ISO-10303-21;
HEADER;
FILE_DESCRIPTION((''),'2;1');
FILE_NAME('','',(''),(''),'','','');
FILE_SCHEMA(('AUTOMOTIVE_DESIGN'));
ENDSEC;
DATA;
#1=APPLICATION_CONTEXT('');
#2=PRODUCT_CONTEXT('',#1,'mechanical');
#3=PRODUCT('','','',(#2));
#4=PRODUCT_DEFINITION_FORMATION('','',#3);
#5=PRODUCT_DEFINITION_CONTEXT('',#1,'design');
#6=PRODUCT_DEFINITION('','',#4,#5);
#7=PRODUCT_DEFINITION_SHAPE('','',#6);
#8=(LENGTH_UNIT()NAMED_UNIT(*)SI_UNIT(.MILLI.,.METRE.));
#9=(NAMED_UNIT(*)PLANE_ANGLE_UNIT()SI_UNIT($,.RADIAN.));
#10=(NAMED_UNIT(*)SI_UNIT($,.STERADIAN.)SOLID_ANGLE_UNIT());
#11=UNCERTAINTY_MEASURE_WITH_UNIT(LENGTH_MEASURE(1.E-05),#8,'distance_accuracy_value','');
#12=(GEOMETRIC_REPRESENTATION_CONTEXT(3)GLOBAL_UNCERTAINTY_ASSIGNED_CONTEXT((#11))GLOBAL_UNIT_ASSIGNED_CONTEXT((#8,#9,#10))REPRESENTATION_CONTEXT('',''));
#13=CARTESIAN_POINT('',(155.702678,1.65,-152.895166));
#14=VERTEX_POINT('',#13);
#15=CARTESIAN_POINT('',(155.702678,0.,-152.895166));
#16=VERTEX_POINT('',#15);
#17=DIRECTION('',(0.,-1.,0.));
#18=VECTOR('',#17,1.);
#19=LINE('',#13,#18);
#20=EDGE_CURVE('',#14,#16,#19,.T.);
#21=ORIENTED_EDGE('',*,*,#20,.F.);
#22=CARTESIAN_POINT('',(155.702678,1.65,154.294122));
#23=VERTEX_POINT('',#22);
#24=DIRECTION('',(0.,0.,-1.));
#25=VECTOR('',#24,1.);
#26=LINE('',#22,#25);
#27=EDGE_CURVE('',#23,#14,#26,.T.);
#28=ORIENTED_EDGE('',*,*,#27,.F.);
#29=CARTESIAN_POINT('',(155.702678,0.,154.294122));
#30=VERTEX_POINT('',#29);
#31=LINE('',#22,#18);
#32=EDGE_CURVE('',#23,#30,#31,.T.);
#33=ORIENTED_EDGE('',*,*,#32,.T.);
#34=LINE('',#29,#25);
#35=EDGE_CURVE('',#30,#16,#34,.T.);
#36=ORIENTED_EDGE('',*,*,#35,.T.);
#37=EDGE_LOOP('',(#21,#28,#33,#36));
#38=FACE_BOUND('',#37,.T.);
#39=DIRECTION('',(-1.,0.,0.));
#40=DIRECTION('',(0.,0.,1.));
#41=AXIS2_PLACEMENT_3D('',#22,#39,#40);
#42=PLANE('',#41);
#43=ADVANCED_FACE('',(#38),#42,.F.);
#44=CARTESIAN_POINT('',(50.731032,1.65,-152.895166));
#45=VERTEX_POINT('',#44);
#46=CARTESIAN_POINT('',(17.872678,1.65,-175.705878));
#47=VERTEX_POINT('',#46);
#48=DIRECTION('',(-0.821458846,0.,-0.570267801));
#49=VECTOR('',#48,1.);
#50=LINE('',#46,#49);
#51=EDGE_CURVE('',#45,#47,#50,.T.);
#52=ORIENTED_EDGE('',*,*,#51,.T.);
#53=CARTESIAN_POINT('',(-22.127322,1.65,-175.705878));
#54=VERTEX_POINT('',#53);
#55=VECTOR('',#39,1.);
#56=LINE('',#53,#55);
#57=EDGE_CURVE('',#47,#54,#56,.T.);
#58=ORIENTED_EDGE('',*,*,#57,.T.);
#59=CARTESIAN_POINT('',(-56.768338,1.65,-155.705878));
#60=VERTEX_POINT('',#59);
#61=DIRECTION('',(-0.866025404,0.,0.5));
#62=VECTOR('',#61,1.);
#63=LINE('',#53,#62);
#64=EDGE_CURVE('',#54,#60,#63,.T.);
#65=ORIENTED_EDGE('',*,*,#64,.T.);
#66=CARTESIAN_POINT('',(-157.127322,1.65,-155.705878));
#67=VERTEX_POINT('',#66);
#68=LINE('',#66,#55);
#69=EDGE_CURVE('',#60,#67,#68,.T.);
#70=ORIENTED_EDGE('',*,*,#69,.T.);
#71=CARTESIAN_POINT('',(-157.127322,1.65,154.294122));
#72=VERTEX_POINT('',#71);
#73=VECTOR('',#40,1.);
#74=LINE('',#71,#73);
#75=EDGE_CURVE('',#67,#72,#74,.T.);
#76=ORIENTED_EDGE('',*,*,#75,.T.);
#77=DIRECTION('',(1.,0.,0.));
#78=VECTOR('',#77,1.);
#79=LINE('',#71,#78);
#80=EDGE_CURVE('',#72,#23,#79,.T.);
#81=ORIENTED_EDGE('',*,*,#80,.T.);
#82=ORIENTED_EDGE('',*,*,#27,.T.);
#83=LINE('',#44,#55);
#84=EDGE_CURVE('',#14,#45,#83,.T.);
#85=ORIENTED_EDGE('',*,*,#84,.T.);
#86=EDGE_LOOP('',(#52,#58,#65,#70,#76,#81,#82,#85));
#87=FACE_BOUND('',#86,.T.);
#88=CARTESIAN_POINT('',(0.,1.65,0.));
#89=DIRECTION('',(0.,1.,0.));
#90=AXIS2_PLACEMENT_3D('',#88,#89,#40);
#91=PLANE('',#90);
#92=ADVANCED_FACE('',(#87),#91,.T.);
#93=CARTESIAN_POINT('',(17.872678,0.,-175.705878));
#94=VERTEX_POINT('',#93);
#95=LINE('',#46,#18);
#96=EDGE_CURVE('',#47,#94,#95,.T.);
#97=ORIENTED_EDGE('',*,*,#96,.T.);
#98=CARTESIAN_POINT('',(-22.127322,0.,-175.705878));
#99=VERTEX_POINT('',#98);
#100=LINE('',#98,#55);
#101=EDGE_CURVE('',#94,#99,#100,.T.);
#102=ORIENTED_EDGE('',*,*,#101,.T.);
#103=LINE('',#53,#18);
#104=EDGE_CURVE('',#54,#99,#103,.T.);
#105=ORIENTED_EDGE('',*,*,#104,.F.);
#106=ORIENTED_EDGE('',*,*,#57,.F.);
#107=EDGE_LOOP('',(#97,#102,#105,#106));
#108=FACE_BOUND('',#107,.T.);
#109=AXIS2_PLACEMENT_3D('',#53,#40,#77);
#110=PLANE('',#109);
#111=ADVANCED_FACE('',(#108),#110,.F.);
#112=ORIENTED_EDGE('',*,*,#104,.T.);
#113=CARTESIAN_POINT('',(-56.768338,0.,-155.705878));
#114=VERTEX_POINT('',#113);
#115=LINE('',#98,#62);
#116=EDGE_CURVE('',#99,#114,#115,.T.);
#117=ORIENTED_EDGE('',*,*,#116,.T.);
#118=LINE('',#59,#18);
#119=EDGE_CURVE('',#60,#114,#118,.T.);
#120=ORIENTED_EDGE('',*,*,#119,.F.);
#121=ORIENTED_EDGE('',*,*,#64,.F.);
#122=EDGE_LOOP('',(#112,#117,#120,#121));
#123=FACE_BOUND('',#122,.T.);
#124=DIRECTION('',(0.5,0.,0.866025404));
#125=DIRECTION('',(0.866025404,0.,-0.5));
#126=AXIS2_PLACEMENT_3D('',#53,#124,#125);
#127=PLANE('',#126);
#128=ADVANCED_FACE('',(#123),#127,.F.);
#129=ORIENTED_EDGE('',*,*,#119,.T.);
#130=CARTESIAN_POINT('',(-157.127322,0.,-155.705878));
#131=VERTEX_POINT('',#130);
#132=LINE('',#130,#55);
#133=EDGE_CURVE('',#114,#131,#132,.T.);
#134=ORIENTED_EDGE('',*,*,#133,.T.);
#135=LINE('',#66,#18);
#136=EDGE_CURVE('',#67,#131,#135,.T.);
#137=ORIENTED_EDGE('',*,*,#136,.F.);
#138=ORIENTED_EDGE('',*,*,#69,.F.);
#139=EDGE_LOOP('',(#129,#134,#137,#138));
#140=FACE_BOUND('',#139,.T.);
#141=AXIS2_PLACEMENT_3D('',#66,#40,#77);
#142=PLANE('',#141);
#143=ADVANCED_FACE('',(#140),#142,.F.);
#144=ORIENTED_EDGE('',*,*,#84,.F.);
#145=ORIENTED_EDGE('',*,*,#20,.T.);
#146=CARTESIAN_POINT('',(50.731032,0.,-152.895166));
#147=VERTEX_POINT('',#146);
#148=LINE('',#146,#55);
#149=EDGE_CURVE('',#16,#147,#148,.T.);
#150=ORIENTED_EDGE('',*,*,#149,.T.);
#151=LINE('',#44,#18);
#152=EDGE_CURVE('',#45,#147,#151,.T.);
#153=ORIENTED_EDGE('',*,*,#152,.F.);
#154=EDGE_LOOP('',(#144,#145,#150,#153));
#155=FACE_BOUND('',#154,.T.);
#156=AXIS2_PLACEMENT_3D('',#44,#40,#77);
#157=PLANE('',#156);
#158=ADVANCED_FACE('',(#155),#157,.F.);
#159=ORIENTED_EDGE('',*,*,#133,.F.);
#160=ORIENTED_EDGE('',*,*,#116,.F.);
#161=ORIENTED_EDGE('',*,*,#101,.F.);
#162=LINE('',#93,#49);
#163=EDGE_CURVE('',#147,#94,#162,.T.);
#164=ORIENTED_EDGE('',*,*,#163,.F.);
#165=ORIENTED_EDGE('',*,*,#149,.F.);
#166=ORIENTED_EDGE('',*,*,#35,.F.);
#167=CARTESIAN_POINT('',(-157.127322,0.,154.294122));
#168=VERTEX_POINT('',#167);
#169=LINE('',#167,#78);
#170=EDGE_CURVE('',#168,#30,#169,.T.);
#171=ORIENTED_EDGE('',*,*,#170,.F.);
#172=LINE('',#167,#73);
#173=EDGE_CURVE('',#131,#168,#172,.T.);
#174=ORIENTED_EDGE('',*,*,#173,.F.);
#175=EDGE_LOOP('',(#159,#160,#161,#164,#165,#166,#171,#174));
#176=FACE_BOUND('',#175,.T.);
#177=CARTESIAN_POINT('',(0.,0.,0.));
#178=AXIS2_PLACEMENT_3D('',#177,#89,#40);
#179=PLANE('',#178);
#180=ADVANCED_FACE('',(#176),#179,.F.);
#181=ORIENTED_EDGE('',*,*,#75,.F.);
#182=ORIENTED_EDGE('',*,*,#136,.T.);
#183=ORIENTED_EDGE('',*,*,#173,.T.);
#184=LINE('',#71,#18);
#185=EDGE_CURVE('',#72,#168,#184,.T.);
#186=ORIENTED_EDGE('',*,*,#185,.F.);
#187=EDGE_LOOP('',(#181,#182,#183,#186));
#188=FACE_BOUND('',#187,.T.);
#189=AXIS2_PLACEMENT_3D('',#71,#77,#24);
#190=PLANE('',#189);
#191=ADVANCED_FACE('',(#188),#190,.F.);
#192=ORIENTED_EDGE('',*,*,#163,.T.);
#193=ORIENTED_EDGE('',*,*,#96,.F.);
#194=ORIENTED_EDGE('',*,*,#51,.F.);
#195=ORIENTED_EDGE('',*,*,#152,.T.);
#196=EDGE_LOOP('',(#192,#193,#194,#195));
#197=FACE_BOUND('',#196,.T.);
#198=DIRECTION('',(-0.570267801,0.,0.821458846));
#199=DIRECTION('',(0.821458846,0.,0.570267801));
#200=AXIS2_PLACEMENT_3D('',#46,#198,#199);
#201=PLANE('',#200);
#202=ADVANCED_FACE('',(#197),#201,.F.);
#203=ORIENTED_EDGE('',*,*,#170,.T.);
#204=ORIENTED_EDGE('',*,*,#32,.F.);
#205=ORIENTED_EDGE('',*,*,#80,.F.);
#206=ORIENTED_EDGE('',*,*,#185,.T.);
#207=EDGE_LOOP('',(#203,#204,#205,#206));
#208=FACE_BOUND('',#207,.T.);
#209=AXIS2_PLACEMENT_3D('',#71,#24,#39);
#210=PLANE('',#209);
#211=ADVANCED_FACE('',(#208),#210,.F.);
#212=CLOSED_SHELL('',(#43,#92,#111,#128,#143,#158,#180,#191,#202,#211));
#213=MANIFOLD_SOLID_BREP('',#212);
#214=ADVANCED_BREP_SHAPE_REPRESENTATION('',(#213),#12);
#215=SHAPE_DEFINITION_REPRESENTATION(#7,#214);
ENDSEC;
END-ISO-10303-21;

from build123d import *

# Parameters (mm, degrees)
BOSS_EXTRUDE1_DEPTH = 1.65


with BuildPart() as part:
    # Sketch1 → Boss-Extrude1 (new body)
    with BuildSketch(Plane(origin=(0, 0, 0), x_dir=(1, 0, 0), z_dir=(0, 1, 0))):
        Polygon((-22.127322024, 175.705878041), (17.872677976, 175.705878041), (50.731031807, 152.895166006), (155.702677976, 152.895166006), (155.702677976, -154.294121959), (-157.127322024, -154.294121959), (-157.127322024, 155.705878041), (-56.768338176, 155.705878041), align=None)
    extrude(amount=BOSS_EXTRUDE1_DEPTH)


solid = part.part
